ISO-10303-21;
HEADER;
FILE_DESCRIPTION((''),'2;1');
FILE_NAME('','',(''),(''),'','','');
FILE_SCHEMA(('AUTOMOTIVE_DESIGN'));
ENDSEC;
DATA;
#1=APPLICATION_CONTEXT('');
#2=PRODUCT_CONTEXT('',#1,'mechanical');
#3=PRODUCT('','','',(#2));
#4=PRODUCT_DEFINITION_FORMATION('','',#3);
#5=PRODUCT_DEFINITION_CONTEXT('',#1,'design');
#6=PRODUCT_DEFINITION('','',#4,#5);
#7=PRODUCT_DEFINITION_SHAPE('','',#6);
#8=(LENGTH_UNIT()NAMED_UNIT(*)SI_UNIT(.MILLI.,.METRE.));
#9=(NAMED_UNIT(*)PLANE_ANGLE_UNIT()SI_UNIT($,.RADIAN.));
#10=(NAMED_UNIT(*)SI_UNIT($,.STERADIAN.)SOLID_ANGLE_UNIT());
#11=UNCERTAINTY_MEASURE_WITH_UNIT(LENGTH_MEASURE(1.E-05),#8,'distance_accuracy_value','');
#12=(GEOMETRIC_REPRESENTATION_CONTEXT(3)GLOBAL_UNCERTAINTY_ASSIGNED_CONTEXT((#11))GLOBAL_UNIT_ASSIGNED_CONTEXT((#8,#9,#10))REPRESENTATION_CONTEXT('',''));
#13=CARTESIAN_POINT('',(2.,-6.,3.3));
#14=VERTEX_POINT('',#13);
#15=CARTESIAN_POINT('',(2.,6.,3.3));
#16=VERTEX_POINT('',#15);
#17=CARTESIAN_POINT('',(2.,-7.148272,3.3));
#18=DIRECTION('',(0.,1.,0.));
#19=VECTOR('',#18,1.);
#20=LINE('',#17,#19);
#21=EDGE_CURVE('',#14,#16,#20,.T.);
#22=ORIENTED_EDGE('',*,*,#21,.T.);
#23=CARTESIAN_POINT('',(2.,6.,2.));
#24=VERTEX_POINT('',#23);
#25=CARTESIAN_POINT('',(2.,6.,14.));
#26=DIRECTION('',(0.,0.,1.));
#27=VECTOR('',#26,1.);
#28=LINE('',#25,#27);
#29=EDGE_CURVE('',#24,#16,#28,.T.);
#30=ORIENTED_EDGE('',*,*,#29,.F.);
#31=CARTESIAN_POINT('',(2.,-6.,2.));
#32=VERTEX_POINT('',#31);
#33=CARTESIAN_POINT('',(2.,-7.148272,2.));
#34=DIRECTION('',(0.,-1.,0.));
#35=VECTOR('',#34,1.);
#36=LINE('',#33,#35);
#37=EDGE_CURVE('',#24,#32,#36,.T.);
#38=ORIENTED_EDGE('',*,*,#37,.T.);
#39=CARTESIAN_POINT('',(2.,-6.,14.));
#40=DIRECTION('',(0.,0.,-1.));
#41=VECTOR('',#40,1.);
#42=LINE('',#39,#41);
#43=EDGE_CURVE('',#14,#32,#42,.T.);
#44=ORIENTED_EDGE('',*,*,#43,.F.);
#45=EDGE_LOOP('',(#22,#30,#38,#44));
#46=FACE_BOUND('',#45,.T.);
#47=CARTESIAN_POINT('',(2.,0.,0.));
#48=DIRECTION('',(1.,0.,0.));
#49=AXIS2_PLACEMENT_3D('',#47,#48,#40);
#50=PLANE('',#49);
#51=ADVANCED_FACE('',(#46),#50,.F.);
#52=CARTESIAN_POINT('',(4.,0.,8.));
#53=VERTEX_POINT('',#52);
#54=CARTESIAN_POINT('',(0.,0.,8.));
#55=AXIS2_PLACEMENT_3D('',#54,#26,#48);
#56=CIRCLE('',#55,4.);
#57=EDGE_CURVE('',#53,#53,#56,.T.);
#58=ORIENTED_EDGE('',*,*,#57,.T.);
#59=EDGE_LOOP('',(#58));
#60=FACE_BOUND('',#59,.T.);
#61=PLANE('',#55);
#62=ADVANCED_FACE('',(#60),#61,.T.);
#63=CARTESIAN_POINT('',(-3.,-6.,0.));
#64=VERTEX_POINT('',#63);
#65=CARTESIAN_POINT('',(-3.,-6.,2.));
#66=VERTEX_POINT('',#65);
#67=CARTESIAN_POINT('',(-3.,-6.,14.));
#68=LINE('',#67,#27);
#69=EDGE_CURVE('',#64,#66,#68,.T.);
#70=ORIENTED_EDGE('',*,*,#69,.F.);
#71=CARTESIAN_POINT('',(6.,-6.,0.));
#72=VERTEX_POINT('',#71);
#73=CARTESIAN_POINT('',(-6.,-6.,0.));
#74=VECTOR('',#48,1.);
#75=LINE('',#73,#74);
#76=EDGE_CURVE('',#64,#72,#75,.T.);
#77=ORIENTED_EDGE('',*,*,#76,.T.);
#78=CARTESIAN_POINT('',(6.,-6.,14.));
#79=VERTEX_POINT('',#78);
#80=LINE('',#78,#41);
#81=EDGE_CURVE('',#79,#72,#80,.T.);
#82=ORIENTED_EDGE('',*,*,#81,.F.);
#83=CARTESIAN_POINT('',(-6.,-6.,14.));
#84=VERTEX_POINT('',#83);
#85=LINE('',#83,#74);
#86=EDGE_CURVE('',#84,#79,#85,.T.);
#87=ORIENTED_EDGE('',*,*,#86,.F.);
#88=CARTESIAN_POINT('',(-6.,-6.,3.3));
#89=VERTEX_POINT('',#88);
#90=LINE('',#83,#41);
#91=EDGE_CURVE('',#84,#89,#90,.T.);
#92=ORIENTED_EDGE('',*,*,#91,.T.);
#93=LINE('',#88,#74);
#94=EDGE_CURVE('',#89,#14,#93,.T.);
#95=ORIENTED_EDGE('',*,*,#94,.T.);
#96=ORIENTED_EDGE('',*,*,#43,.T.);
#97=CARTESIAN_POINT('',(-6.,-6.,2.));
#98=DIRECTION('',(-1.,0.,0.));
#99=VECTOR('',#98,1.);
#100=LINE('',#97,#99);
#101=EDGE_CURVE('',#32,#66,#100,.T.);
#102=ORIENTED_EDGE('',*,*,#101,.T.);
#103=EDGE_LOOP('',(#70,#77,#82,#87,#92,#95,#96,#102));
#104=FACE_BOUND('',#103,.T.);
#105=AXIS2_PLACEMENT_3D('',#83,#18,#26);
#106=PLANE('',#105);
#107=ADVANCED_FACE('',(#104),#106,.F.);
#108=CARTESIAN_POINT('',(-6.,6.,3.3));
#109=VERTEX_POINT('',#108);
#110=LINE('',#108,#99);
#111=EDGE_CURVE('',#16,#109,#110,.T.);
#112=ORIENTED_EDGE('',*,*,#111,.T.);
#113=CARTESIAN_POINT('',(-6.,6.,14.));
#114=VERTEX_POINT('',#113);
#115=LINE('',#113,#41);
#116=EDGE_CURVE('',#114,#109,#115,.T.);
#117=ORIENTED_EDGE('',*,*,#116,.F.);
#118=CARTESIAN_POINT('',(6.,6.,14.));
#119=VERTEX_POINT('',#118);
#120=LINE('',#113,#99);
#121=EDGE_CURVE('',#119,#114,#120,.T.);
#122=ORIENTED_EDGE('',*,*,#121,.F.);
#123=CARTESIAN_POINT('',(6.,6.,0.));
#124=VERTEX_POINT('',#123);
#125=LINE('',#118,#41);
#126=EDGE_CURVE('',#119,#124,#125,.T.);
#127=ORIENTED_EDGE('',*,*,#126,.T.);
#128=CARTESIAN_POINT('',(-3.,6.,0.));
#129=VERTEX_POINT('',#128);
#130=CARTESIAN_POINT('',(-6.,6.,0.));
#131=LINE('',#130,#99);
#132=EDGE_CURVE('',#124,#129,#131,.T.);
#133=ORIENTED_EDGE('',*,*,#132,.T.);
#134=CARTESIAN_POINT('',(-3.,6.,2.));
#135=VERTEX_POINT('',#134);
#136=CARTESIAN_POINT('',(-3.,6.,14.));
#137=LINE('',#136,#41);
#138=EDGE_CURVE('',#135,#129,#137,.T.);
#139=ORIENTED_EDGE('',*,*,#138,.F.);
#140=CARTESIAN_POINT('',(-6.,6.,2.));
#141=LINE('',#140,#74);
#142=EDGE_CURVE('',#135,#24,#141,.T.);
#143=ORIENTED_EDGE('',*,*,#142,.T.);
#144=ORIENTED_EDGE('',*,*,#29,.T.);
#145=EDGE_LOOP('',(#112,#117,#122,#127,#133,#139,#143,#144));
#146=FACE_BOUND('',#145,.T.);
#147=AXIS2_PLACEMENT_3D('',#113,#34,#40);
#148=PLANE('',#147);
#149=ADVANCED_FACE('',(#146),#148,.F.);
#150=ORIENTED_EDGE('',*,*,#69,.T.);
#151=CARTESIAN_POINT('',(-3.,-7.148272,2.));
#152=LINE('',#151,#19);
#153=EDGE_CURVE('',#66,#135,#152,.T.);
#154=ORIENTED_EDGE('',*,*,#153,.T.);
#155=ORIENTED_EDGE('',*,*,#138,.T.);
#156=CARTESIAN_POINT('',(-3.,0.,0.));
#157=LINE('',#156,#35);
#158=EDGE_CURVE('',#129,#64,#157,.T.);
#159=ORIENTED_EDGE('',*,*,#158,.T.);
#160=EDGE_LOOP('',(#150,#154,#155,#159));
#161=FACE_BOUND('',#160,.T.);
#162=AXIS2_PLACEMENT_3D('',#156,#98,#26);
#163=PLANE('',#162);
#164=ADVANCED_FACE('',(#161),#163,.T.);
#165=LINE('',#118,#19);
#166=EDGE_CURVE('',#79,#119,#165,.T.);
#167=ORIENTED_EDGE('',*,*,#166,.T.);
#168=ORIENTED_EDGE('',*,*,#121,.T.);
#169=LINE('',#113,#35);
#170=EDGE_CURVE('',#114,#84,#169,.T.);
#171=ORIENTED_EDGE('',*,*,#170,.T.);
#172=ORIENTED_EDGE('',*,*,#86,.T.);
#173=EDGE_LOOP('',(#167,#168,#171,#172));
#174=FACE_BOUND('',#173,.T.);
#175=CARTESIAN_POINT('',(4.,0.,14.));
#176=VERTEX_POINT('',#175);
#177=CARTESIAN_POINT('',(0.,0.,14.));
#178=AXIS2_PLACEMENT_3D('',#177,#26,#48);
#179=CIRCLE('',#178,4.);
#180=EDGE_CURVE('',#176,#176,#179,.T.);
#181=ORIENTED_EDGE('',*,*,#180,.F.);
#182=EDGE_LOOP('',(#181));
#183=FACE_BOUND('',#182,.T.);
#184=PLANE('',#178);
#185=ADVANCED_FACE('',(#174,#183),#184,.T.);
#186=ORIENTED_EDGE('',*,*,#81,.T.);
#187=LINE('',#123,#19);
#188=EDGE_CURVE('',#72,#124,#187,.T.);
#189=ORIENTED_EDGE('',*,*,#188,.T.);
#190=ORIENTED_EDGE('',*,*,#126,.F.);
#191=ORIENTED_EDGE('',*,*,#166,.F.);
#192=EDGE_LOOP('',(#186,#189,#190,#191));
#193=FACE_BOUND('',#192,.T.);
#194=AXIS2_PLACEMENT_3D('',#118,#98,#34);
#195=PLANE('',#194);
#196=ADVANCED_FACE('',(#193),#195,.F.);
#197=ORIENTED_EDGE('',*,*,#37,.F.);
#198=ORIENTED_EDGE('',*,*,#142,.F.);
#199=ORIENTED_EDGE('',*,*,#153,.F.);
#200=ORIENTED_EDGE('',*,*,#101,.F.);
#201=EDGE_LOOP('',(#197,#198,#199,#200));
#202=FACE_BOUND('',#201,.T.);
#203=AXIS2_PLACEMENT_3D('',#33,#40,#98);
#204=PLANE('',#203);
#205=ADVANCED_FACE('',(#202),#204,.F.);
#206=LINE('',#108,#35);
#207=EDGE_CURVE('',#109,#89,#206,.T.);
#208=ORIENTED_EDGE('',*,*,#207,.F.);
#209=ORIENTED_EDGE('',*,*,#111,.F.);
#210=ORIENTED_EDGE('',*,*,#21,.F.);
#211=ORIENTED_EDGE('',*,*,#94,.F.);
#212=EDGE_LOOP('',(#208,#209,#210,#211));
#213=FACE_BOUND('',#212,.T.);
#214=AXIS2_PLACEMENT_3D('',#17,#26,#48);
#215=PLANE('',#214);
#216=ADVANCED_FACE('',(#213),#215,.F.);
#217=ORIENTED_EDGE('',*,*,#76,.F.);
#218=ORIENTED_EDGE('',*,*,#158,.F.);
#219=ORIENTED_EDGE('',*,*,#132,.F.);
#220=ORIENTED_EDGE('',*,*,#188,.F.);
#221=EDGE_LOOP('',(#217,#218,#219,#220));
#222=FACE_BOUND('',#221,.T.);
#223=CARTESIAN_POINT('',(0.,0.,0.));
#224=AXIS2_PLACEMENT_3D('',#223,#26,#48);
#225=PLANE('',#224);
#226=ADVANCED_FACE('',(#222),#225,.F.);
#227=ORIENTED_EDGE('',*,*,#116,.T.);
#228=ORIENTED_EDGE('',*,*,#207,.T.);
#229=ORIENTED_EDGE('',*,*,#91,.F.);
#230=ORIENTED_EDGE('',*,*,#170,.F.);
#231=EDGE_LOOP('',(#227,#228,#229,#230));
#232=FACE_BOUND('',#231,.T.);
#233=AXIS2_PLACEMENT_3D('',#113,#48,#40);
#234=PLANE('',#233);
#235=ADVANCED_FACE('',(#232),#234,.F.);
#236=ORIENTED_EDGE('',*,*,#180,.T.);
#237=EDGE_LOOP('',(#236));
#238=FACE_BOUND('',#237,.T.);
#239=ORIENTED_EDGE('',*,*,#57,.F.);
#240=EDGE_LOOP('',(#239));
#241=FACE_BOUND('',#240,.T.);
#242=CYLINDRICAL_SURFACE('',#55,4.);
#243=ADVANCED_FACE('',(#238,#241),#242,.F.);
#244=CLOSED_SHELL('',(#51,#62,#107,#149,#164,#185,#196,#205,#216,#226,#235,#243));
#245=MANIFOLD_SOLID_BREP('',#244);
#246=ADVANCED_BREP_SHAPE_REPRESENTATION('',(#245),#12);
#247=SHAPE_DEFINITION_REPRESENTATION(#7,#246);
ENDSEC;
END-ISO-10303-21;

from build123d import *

# Parameters (mm, degrees)
ESQUISSE1_W             = 12
ESQUISSE1_H             = 12
BOSS_EXTRU_1_DEPTH      = 14
ESQUISSE2_R             = 4
ENL_V_MAT_EXTRU_1_DEPTH = 6
ESQUISSE3_W             = 1.3
ESQUISSE3_H             = 14.296544168
ENL_V_MAT_EXTRU_2_DEPTH = 18
ESQUISSE6_W             = 2.656896507
ESQUISSE6_H             = 12.791812985
ENL_V_MAT_EXTRU_4_DEPTH = 13


with BuildPart() as part:
    # Esquisse1 → Boss.-Extru.1 (new body)
    with BuildSketch(Plane.XY):
        Rectangle(ESQUISSE1_W, ESQUISSE1_H)
    extrude(amount=BOSS_EXTRU_1_DEPTH)

    # Esquisse2 → Enlèv. mat.-Extru.1 (cut)
    with BuildSketch(Plane.XY.offset(14)):
        Circle(ESQUISSE2_R)
    extrude(amount=-ENL_V_MAT_EXTRU_1_DEPTH, mode=Mode.SUBTRACT)

    # Esquisse3 → Enlèv. mat.-Extru.2 (cut)
    with BuildSketch(Plane.ZY.offset(16)):
        with Locations((2.65, 0)):
            Rectangle(ESQUISSE3_W, ESQUISSE3_H)
    extrude(amount=-ENL_V_MAT_EXTRU_2_DEPTH, mode=Mode.SUBTRACT)

    # Esquisse6 → Enlèv. mat.-Extru.4 (cut)
    with BuildSketch(Plane.ZY.offset(16)):
        with Locations((0.90678419, -0.070381364)):
            Rectangle(ESQUISSE6_W, ESQUISSE6_H)
    extrude(amount=-ENL_V_MAT_EXTRU_4_DEPTH, mode=Mode.SUBTRACT)


solid = part.part
